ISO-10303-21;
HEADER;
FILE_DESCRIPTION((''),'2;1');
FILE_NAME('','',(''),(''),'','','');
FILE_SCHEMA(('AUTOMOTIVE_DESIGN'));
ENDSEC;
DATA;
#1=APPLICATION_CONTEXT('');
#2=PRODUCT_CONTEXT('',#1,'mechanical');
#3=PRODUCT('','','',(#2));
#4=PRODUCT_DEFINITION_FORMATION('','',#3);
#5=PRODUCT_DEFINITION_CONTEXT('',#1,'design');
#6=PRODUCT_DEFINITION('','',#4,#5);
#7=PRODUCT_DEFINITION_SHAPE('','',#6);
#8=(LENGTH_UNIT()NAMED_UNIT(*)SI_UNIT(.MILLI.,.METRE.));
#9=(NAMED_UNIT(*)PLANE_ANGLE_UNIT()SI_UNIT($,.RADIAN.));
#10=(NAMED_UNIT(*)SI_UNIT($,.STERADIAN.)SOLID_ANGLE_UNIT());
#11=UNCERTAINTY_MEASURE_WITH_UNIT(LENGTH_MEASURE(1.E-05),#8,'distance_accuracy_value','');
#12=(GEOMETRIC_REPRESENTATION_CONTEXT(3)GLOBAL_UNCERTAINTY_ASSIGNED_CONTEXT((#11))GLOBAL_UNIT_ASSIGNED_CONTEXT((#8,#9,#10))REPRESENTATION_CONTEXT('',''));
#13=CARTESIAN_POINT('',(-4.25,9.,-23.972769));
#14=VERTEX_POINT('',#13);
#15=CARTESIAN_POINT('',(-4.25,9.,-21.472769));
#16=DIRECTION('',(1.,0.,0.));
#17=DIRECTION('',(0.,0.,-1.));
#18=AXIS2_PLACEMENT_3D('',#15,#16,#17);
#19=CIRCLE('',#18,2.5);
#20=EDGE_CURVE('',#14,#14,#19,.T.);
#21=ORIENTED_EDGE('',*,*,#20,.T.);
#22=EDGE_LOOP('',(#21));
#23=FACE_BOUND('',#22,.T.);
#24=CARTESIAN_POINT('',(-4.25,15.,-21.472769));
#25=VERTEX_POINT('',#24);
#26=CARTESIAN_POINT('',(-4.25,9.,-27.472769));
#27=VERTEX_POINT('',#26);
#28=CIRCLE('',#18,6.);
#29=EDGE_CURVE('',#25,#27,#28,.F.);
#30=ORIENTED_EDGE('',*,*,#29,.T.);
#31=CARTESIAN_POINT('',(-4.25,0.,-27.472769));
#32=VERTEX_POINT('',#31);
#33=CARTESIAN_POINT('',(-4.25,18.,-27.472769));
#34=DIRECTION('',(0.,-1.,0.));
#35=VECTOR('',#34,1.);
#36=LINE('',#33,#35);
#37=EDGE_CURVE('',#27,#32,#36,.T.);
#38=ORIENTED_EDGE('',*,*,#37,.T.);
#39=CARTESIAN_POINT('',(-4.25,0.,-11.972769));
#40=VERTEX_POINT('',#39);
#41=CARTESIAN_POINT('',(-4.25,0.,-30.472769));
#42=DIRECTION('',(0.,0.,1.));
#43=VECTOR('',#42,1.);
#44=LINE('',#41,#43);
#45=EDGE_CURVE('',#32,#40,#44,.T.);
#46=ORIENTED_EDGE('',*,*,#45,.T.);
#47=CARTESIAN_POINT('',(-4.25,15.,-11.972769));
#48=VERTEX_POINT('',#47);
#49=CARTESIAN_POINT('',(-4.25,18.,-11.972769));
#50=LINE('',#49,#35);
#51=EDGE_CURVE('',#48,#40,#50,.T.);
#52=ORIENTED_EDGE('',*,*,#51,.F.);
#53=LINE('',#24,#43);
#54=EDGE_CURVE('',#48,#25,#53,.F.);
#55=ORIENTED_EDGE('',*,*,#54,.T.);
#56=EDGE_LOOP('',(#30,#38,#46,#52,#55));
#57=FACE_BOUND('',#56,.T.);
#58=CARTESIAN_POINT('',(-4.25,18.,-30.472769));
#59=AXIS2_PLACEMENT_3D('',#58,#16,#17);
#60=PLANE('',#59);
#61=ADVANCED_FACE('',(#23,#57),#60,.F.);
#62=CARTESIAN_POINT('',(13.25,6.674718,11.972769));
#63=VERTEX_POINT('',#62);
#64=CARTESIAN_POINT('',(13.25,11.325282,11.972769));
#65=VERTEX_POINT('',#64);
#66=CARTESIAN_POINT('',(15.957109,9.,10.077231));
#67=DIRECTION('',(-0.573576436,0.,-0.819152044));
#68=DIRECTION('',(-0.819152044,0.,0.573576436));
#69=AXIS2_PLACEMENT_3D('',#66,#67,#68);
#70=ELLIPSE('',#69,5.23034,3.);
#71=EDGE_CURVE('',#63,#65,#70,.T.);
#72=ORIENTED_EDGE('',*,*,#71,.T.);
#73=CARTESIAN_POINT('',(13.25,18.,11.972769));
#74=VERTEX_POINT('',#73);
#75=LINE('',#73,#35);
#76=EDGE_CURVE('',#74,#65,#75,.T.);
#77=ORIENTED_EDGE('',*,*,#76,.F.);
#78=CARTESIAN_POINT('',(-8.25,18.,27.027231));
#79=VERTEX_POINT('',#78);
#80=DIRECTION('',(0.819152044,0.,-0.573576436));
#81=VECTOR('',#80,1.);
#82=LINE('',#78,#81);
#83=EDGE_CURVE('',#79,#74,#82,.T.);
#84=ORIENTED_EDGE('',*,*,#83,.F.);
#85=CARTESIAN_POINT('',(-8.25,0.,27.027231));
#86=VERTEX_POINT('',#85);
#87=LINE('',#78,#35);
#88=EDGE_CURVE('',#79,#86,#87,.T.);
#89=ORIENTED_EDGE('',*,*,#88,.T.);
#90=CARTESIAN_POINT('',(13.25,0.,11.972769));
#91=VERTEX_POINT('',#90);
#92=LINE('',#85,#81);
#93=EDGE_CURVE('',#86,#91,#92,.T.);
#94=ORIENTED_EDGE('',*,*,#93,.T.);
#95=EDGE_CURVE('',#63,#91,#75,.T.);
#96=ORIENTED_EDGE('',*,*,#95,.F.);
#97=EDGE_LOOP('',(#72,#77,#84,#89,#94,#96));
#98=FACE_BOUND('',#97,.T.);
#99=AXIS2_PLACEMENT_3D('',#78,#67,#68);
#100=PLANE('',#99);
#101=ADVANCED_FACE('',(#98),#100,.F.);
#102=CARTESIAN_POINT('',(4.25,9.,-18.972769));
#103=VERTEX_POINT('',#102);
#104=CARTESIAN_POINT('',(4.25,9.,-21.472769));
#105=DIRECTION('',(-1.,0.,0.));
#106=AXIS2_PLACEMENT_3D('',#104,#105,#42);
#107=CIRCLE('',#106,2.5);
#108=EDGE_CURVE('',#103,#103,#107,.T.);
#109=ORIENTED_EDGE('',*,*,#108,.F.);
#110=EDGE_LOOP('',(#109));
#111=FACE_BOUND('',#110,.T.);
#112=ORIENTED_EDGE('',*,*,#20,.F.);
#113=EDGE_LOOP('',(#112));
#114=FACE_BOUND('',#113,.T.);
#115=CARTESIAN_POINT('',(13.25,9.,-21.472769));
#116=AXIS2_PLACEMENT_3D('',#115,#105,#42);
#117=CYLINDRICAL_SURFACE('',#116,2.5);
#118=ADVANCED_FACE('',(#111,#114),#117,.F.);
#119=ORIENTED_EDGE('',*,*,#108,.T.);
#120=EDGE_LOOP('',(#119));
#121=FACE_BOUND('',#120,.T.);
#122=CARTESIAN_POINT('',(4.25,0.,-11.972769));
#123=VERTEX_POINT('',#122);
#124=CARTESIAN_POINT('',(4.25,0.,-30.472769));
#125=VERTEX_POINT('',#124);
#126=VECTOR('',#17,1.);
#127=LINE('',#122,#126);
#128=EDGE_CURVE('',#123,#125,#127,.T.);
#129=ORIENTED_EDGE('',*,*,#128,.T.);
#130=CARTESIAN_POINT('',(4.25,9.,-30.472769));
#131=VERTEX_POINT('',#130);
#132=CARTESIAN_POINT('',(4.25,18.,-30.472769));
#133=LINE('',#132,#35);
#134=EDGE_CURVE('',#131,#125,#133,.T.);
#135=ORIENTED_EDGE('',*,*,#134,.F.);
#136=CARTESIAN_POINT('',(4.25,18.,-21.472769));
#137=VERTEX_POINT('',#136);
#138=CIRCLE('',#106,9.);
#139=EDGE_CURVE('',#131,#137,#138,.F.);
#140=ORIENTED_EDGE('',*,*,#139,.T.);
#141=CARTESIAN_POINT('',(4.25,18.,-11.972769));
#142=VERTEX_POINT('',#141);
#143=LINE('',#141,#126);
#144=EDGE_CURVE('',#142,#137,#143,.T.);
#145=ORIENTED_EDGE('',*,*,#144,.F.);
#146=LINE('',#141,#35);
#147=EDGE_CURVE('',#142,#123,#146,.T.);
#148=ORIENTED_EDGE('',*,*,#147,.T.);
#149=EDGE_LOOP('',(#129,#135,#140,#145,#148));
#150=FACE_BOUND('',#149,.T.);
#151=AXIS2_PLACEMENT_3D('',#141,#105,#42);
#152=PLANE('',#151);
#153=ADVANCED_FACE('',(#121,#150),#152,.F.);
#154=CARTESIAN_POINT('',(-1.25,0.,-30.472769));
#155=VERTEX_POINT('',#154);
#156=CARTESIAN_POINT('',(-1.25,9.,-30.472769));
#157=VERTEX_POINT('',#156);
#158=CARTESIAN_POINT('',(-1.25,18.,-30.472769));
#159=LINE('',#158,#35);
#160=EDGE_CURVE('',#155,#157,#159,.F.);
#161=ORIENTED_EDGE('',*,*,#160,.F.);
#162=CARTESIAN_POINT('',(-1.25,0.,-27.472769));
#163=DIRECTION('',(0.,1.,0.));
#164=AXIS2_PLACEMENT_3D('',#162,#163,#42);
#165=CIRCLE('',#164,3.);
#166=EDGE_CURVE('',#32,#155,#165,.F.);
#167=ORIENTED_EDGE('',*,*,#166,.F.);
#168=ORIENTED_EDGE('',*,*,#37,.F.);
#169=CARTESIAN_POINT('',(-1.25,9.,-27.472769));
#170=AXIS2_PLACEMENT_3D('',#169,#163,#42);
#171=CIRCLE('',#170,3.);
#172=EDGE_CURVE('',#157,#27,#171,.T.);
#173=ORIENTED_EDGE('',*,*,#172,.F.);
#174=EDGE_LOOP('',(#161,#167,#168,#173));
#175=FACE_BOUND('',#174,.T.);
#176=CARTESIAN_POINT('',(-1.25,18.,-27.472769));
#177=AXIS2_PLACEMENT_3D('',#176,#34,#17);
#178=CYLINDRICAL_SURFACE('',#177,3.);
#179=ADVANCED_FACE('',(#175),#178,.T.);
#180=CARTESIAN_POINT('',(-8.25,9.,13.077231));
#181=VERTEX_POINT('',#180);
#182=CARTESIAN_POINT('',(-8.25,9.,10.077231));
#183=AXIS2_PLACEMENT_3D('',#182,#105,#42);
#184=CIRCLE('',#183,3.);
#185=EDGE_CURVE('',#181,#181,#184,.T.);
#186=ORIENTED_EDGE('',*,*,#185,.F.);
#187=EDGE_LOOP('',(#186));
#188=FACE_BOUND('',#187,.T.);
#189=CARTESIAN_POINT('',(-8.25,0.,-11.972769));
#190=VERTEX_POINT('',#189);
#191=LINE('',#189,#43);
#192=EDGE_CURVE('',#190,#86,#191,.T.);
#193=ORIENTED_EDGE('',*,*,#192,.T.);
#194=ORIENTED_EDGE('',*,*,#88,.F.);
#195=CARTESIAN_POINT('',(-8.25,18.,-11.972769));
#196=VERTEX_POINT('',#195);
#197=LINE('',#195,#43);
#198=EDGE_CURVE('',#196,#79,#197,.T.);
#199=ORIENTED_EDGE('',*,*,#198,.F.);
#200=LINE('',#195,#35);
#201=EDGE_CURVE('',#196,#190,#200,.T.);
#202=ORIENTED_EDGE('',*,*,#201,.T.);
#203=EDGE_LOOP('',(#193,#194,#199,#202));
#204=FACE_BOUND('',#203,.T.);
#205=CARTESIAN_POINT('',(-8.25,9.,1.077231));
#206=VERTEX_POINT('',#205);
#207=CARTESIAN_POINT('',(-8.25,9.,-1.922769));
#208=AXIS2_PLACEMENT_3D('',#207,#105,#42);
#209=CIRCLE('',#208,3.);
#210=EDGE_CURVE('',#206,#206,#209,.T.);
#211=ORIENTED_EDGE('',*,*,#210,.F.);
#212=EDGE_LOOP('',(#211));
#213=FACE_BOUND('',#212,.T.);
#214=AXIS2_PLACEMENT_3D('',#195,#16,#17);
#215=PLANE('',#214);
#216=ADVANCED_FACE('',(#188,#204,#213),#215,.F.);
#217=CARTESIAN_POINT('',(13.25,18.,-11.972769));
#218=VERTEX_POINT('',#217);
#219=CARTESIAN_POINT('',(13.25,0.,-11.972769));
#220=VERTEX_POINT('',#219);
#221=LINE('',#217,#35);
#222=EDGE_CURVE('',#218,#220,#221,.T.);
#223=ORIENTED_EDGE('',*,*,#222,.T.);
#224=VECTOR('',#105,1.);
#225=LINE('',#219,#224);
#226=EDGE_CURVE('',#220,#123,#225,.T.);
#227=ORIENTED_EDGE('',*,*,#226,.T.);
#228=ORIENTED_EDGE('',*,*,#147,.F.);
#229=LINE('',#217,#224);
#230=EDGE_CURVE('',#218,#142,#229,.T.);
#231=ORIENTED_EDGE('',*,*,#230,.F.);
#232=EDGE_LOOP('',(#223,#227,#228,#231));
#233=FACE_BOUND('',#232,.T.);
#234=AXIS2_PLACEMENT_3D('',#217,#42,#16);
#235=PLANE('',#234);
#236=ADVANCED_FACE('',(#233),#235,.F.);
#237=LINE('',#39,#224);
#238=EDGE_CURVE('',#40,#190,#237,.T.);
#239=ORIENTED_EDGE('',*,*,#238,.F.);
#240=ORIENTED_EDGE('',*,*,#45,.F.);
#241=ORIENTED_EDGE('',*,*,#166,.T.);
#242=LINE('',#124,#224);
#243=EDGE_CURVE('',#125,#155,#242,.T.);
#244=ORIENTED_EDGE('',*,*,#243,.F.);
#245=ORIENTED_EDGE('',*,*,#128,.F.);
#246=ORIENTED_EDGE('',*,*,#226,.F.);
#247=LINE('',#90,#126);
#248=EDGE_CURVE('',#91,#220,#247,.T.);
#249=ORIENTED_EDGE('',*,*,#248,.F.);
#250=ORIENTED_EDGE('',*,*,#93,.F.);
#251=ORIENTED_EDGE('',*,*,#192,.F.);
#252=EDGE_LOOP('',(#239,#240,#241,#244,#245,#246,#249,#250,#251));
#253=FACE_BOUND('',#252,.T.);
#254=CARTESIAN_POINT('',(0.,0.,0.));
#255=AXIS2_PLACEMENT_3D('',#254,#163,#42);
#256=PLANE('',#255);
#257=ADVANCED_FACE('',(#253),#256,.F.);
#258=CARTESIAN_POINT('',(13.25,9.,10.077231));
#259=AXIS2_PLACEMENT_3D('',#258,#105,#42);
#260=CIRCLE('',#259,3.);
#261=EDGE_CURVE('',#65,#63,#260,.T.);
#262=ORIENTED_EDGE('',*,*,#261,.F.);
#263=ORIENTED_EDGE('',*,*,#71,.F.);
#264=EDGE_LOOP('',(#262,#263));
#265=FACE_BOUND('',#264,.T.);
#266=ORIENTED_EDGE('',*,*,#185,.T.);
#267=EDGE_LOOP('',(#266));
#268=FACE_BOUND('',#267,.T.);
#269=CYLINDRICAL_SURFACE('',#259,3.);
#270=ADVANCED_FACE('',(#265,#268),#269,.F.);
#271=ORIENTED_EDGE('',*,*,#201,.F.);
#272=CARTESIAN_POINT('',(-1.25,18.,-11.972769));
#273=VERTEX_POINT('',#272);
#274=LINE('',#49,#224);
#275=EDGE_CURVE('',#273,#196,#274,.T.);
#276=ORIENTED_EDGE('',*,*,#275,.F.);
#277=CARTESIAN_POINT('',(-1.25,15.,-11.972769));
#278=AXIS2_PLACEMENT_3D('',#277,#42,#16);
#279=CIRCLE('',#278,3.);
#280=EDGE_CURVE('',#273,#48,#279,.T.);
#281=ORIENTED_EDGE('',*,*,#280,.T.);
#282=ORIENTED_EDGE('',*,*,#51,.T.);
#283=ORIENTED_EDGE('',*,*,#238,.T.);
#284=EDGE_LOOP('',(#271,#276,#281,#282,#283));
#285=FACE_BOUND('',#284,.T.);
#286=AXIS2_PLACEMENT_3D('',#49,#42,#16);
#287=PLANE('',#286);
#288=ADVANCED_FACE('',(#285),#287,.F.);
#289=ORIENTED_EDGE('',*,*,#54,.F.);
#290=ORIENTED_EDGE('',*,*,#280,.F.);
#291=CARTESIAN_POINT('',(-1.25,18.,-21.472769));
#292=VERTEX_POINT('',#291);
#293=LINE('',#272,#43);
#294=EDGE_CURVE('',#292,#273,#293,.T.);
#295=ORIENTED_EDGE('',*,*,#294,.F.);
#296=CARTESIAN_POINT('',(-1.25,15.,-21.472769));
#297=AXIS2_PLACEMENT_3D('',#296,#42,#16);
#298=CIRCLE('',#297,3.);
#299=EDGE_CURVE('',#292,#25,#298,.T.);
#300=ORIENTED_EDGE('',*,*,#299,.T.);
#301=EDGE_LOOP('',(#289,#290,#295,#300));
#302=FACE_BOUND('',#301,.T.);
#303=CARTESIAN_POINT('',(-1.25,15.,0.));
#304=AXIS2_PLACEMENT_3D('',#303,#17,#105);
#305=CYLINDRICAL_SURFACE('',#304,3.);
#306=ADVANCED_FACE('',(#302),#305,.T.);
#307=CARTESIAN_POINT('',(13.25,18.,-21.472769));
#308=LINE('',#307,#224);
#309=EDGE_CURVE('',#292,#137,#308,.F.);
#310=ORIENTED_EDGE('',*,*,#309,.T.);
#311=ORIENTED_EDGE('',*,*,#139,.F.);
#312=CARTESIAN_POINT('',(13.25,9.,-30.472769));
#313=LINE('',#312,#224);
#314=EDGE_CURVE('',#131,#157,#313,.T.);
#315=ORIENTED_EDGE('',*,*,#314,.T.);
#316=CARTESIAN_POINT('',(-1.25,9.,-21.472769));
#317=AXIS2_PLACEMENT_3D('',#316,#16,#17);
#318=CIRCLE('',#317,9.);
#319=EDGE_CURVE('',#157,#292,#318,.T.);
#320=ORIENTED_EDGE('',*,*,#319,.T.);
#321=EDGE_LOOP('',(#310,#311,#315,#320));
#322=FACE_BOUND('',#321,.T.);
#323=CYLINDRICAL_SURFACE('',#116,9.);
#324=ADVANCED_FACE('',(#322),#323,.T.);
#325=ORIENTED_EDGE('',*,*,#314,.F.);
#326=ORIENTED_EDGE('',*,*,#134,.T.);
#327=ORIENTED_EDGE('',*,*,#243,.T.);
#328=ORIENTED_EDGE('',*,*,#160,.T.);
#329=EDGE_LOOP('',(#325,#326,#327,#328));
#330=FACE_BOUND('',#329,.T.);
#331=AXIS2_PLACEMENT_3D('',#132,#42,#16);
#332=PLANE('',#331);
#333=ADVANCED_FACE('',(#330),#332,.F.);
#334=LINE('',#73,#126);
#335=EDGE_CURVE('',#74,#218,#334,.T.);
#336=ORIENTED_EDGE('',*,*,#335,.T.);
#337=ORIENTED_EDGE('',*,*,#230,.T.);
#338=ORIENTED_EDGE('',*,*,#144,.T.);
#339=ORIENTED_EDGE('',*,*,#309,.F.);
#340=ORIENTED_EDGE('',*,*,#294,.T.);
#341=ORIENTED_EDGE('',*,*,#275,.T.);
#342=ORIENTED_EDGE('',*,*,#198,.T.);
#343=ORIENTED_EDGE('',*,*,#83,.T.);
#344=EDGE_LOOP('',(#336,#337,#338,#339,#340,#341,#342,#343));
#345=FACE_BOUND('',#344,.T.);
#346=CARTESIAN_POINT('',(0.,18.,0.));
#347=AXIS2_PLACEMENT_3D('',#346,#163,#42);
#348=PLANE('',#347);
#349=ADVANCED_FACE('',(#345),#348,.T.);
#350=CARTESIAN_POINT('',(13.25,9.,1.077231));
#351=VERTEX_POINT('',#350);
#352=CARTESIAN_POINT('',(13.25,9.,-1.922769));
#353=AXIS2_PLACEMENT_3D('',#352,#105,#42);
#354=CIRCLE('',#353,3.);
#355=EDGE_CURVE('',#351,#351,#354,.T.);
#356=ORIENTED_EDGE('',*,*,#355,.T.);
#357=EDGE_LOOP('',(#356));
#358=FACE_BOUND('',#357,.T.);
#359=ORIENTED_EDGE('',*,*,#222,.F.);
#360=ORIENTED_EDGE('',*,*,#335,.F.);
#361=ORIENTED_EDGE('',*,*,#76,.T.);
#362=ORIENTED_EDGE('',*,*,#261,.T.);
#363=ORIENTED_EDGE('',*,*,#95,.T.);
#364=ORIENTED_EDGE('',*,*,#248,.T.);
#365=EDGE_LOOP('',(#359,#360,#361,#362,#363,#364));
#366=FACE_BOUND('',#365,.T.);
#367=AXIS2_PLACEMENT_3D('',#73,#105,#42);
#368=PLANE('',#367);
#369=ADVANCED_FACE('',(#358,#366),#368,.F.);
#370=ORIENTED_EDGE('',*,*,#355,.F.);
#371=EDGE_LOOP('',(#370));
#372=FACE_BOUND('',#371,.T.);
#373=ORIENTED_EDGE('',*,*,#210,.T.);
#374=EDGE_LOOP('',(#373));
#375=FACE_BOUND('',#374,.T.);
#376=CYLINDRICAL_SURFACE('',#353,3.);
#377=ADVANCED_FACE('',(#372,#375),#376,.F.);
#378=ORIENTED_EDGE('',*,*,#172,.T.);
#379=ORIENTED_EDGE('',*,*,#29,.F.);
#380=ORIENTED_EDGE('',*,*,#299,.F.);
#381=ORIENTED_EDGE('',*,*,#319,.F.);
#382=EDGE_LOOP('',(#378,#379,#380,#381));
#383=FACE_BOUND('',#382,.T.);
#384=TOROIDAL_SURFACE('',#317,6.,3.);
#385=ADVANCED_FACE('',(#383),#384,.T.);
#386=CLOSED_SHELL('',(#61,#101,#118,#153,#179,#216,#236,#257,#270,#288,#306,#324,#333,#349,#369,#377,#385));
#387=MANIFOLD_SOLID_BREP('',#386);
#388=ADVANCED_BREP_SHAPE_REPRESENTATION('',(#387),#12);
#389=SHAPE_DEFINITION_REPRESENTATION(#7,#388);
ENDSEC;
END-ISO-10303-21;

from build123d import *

# Parameters (mm, degrees)
BOSS_EXTRUDE1_DEPTH = 18
SKETCH3_R           = 2.5
SKETCH3_R_2         = 3
CUT_EXTRUDE1_DEPTH  = 42.41062241
FILLET1_R           = 3


with BuildPart() as part:
    # Sketch1 → Boss-Extrude1 (new body)
    with BuildSketch(Plane(origin=(0, 0, 0), x_dir=(1, 0, 0), z_dir=(0, 1, 0))):
        Polygon((-8.25, 11.972768964), (-8.25, -27.027231036), (13.25, -11.972768964), (13.25, 11.972768964), (4.25, 11.972768964), (4.25, 30.472768964), (-4.25, 30.472768964), (-4.25, 11.972768964), align=None)
    extrude(amount=BOSS_EXTRUDE1_DEPTH)

    # Sketch3 → Cut-Extrude1 (cut, through all)
    with BuildSketch(Plane.ZY.offset(8.25)):
        with Locations((-21.472768964, 9)):
            Circle(SKETCH3_R)
        with Locations((-1.922768964, 9)):
            Circle(SKETCH3_R_2)
        with Locations((10.077231036, 9)):
            Circle(SKETCH3_R_2)
        with BuildLine():
            Line((-30.472768964, 9), (-30.472768964, 18))
            Line((-30.472768964, 18), (-21.472768964, 18))
            ThreePointArc((-21.472768964, 18), (-27.836729995, 15.363961031), (-30.472768964, 9))
        make_face()
    extrude(amount=-CUT_EXTRUDE1_DEPTH, mode=Mode.SUBTRACT)

    # Fillet1
    fillet1_edges = [part.edges().sort_by_distance(p)[0] for p in [
        (-4.25, 18, -16.722768964),
        (-4.25, 4.5, -30.472768964),
        (-4.25, 15.363961031, -27.836729995),
    ]]
    fillet(fillet1_edges, radius=FILLET1_R)


solid = part.part
